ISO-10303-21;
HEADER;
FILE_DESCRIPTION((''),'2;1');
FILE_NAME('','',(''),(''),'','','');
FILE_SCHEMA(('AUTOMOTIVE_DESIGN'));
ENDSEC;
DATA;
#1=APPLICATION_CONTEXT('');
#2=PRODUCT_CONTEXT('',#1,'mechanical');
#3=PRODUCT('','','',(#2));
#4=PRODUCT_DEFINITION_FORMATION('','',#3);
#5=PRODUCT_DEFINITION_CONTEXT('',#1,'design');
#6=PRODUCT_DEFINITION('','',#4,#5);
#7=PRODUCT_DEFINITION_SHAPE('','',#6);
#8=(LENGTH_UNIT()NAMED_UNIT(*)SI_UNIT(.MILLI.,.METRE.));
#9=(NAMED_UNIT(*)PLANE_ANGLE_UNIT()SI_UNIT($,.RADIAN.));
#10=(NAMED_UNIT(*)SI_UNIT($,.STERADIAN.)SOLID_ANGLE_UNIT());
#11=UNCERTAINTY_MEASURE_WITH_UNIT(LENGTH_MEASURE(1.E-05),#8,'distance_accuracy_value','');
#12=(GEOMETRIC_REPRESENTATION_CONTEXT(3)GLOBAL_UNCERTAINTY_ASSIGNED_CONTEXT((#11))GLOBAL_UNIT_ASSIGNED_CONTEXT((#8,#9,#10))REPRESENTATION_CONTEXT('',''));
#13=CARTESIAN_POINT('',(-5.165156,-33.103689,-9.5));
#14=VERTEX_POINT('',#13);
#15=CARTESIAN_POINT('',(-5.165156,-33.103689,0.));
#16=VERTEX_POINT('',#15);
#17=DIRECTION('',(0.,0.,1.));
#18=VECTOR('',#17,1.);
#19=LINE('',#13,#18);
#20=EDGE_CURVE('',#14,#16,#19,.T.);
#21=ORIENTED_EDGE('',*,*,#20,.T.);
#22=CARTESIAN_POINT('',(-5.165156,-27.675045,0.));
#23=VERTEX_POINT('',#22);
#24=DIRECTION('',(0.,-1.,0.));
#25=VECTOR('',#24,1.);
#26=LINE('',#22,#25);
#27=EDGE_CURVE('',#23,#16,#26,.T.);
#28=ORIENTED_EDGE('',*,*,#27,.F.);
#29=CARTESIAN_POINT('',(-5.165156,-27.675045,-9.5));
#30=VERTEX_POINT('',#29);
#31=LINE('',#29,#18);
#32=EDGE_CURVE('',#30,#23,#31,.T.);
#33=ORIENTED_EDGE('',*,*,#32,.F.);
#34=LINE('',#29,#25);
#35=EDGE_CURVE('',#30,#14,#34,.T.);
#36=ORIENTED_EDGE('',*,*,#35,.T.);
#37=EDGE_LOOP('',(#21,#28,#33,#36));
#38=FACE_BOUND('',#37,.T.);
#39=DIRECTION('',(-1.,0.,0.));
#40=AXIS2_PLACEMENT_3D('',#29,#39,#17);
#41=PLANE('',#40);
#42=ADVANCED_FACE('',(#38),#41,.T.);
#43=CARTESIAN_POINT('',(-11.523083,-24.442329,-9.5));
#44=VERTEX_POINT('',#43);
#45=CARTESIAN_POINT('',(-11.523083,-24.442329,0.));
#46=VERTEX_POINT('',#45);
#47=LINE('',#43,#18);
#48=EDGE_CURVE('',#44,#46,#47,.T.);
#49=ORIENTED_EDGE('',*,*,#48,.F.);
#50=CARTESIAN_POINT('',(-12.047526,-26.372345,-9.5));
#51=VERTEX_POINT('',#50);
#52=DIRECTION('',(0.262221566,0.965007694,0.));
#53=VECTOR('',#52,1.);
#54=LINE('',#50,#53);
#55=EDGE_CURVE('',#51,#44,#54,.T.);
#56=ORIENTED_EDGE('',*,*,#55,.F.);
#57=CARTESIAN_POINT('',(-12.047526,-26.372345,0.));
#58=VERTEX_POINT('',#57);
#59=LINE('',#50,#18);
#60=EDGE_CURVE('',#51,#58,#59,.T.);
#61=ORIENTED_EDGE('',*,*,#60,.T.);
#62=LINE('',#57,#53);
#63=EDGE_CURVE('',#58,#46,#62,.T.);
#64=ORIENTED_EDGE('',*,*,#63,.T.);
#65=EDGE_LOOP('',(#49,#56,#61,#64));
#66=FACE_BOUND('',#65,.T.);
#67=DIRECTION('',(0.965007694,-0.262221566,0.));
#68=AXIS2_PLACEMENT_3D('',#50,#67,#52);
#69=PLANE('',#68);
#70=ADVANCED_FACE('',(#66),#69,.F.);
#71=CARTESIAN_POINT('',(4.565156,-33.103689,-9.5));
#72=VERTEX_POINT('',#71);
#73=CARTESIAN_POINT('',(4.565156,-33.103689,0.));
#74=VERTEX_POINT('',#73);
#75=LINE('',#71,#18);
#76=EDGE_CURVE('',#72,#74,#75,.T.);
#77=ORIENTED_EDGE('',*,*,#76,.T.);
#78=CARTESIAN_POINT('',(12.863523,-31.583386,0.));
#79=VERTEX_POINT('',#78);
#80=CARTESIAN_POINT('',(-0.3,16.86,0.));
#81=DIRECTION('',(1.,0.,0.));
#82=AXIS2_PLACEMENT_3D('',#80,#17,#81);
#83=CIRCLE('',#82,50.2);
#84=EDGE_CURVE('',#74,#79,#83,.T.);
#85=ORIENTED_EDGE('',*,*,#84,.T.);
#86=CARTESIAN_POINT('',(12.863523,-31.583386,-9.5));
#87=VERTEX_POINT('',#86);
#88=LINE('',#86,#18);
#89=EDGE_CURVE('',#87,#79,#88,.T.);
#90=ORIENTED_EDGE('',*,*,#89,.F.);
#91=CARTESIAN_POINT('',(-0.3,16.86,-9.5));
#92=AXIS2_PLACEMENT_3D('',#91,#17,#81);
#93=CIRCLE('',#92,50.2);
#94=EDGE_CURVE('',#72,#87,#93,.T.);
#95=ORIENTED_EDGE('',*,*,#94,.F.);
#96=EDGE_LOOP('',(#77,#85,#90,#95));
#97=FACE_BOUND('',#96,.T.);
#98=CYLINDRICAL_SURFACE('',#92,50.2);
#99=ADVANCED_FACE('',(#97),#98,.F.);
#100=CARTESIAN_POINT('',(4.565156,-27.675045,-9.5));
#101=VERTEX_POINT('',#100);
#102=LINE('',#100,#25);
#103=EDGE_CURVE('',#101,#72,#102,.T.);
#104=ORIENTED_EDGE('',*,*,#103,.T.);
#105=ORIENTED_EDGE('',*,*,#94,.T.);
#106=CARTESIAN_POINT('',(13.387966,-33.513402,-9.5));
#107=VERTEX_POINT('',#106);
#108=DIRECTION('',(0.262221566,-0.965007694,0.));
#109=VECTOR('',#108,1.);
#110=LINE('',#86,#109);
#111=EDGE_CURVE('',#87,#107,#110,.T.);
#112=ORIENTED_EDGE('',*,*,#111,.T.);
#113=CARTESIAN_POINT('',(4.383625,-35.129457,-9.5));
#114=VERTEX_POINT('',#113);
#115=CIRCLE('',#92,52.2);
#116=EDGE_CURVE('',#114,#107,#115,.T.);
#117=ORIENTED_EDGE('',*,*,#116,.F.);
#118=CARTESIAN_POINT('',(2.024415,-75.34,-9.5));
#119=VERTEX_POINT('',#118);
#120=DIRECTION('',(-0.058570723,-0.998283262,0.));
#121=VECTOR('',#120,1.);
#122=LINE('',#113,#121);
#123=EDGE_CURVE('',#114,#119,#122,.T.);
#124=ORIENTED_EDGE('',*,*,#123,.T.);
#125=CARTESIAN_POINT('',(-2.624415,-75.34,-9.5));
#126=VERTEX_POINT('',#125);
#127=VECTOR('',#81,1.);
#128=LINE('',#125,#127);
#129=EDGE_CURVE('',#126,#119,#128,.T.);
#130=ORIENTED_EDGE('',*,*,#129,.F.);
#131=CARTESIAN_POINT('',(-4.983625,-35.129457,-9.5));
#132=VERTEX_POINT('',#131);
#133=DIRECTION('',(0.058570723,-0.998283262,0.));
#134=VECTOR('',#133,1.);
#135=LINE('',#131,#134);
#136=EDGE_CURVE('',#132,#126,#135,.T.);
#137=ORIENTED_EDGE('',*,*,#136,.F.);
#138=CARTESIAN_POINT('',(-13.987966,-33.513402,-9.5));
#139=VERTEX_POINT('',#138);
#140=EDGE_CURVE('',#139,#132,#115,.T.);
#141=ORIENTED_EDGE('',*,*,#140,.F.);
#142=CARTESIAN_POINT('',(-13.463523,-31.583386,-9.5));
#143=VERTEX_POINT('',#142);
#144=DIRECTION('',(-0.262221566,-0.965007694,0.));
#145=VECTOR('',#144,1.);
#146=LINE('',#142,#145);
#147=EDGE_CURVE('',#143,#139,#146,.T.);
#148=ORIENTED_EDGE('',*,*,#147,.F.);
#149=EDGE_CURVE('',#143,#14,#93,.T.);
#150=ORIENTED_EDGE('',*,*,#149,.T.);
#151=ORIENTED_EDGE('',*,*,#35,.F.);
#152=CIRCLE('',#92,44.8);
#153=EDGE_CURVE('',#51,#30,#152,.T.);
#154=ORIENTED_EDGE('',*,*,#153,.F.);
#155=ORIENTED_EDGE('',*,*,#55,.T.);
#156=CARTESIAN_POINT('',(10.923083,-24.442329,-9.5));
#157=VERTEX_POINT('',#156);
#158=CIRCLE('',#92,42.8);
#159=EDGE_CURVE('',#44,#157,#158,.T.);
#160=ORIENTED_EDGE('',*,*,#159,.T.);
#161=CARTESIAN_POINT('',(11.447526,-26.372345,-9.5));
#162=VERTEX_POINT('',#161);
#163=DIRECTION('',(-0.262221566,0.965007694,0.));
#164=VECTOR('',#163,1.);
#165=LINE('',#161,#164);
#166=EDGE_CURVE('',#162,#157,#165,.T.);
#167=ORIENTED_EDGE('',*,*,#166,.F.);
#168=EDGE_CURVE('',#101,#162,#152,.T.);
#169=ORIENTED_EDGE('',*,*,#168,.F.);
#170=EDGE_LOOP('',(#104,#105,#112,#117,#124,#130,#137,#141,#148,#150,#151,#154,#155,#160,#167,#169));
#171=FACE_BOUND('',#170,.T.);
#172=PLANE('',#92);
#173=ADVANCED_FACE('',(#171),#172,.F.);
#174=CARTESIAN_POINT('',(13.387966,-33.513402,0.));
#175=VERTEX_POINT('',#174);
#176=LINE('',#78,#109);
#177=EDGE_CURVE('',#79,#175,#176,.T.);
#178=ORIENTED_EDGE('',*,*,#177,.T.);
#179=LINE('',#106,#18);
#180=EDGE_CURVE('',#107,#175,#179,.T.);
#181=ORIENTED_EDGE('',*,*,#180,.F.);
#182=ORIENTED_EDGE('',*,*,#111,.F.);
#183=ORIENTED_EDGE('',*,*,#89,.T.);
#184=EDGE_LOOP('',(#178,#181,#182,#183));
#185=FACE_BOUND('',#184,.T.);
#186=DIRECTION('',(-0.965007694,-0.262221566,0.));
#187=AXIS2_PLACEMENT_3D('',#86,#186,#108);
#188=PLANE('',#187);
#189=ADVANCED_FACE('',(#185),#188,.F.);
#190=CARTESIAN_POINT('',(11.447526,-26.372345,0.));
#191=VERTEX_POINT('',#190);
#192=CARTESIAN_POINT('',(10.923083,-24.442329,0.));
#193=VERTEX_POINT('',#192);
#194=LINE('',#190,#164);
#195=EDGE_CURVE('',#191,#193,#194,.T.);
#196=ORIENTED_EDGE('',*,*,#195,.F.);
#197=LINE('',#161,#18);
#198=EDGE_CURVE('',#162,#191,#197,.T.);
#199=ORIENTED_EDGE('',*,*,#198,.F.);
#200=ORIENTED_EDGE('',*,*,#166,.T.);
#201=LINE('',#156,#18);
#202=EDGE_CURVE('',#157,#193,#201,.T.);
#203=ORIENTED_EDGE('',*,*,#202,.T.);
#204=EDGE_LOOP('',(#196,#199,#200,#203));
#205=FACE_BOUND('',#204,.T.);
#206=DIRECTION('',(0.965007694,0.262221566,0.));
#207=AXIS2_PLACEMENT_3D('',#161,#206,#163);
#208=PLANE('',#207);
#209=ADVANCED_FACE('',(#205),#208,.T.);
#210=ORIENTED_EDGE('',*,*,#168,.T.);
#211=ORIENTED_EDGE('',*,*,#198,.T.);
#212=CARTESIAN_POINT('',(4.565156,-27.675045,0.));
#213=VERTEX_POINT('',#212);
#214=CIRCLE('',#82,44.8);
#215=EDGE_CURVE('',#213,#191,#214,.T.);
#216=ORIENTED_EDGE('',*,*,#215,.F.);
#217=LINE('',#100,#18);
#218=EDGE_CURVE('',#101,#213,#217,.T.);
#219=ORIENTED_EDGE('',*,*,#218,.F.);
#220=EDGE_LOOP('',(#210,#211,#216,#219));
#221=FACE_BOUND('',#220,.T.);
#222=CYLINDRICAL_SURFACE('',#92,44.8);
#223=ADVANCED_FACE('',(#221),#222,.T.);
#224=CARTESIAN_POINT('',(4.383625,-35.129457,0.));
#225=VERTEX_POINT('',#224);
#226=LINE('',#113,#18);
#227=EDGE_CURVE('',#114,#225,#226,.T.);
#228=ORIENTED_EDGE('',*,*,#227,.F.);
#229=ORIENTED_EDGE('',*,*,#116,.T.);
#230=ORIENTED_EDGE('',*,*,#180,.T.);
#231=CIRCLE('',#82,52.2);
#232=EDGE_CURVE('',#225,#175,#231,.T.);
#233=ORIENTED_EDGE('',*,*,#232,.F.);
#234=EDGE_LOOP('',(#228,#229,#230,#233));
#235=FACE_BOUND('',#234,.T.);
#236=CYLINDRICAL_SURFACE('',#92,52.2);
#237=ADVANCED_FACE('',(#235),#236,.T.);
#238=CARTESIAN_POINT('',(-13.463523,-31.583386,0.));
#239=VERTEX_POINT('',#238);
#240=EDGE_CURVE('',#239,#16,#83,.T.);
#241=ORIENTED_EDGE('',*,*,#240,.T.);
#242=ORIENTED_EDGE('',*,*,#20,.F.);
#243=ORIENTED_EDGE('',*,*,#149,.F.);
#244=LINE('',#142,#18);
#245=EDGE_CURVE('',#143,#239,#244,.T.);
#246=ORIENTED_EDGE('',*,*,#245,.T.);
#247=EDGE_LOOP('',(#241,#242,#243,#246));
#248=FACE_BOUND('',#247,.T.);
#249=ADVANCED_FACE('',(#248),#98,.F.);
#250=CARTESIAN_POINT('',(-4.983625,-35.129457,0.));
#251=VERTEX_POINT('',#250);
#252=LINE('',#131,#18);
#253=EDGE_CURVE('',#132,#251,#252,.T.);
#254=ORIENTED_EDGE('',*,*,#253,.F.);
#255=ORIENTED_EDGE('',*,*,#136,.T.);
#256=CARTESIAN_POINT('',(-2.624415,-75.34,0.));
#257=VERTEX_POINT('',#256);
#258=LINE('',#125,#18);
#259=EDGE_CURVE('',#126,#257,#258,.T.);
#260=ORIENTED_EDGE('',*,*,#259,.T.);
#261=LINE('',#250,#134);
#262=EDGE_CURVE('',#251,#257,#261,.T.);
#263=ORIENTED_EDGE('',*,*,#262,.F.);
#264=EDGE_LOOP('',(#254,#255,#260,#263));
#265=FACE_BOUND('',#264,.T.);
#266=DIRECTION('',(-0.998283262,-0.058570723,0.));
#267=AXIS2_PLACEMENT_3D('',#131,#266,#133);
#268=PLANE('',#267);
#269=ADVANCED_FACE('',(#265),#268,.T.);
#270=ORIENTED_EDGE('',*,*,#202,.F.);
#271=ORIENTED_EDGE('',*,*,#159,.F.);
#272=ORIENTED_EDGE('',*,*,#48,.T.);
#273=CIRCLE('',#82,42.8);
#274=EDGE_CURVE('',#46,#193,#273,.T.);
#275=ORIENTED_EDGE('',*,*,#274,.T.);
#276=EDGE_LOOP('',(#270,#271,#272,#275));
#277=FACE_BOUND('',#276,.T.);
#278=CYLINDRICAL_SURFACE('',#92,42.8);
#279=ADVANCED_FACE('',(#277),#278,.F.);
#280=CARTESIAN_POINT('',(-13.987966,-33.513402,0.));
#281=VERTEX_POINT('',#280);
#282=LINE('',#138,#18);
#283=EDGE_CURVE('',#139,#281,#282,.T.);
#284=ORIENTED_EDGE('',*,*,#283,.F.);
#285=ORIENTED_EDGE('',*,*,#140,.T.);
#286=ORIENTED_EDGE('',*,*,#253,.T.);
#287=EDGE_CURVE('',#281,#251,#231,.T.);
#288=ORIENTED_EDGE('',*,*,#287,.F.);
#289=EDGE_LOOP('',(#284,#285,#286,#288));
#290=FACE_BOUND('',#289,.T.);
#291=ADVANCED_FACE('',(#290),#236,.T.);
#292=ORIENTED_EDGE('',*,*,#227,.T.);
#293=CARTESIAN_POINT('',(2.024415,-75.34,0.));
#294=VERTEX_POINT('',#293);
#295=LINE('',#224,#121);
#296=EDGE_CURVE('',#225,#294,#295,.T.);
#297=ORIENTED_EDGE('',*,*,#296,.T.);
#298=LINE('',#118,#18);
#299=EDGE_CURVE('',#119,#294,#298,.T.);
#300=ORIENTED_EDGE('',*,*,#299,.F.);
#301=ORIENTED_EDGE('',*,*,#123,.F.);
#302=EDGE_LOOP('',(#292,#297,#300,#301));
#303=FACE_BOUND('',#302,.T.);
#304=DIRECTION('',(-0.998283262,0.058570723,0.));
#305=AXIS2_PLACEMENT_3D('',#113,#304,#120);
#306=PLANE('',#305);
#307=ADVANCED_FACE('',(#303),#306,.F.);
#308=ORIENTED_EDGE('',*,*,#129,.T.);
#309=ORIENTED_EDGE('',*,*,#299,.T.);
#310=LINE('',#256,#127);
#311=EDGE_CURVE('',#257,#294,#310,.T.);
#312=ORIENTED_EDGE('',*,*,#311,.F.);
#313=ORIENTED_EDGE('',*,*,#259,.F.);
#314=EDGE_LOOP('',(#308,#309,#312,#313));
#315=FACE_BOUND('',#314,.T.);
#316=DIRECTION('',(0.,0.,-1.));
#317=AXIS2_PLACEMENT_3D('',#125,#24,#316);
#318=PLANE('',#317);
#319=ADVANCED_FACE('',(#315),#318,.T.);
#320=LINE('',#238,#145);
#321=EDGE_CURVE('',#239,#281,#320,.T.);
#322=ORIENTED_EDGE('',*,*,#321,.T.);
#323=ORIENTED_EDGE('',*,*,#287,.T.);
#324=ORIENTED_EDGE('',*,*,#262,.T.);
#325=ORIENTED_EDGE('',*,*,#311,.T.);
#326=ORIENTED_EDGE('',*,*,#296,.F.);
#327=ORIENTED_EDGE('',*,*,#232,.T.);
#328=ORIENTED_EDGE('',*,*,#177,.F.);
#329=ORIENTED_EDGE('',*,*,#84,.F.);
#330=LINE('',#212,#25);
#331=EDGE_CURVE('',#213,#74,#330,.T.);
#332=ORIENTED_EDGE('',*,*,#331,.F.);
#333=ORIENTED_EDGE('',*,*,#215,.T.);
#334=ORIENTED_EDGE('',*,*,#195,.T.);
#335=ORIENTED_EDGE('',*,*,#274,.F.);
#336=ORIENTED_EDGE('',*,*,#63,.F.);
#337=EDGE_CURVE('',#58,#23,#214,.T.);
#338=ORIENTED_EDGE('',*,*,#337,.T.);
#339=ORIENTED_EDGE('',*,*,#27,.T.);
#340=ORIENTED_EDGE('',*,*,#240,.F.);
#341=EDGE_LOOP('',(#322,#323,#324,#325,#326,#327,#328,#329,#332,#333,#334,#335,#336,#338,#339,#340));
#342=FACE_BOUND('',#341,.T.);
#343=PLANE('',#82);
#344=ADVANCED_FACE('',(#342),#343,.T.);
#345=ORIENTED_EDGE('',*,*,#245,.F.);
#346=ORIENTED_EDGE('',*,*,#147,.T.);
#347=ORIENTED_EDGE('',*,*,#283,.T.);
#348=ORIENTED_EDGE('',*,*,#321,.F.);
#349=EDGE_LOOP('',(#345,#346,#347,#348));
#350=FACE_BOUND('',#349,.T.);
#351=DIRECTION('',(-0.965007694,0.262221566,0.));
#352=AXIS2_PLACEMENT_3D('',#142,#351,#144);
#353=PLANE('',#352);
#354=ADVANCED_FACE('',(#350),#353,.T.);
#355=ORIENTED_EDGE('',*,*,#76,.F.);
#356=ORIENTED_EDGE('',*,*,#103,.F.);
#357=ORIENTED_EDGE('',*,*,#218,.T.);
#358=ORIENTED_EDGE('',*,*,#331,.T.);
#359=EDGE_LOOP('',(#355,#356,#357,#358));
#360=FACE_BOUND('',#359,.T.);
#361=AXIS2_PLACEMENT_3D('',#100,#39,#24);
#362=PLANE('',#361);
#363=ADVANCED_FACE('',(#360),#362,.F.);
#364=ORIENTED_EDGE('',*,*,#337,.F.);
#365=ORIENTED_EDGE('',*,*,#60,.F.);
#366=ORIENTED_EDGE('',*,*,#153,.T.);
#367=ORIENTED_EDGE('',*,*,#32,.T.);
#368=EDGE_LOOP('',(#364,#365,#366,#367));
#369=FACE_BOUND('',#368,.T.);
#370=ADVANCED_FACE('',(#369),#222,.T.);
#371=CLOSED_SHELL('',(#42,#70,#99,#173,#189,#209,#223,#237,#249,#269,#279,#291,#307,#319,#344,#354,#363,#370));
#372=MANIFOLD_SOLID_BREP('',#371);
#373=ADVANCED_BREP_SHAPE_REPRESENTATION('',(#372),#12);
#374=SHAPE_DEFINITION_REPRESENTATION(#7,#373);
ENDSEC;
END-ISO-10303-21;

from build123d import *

# Parameters (mm, degrees)
BOSS_EXTRUDE1_DEPTH = 9.5


with BuildPart() as part:
    # Sketch1 → Boss-Extrude1 (new body)
    with BuildSketch(Plane.XY):
        with BuildLine():
            Line((-5.165155755, -27.675045296), (-5.165155755, -33.10368941))
            ThreePointArc((-5.165155755, -33.10368941), (-9.346333037, -32.518171884), (-13.463522621, -31.583386259))
            Line((-13.463522621, -31.583386259), (-13.987965753, -33.513401647))
            ThreePointArc((-13.987965753, -33.513401647), (-9.521266094, -34.519064332), (-4.983625309, -35.129457142))
            Line((-4.983625309, -35.129457142), (-2.624414585, -75.34))
            Line((-2.624414585, -75.34), (2.024414585, -75.34))
            Line((2.024414585, -75.34), (4.383625309, -35.129457142))
            ThreePointArc((4.383625309, -35.129457142), (8.921266094, -34.519064332), (13.387965753, -33.513401647))
            Line((13.387965753, -33.513401647), (12.863522621, -31.583386259))
            ThreePointArc((12.863522621, -31.583386259), (8.746333037, -32.518171884), (4.565155755, -33.10368941))
            Line((4.565155755, -33.10368941), (4.565155755, -27.675045296))
            ThreePointArc((4.565155755, -27.675045296), (8.031839973, -27.15841027), (11.447526164, -26.372344709))
            Line((11.447526164, -26.372344709), (10.923083031, -24.44232932))
            ThreePointArc((10.923083031, -24.44232932), (-0.3, -25.94), (-11.523083031, -24.44232932))
            Line((-11.523083031, -24.44232932), (-12.047526164, -26.372344709))
            ThreePointArc((-12.047526164, -26.372344709), (-8.631839973, -27.15841027), (-5.165155755, -27.675045296))
        make_face()
    extrude(amount=-BOSS_EXTRUDE1_DEPTH)


solid = part.part
